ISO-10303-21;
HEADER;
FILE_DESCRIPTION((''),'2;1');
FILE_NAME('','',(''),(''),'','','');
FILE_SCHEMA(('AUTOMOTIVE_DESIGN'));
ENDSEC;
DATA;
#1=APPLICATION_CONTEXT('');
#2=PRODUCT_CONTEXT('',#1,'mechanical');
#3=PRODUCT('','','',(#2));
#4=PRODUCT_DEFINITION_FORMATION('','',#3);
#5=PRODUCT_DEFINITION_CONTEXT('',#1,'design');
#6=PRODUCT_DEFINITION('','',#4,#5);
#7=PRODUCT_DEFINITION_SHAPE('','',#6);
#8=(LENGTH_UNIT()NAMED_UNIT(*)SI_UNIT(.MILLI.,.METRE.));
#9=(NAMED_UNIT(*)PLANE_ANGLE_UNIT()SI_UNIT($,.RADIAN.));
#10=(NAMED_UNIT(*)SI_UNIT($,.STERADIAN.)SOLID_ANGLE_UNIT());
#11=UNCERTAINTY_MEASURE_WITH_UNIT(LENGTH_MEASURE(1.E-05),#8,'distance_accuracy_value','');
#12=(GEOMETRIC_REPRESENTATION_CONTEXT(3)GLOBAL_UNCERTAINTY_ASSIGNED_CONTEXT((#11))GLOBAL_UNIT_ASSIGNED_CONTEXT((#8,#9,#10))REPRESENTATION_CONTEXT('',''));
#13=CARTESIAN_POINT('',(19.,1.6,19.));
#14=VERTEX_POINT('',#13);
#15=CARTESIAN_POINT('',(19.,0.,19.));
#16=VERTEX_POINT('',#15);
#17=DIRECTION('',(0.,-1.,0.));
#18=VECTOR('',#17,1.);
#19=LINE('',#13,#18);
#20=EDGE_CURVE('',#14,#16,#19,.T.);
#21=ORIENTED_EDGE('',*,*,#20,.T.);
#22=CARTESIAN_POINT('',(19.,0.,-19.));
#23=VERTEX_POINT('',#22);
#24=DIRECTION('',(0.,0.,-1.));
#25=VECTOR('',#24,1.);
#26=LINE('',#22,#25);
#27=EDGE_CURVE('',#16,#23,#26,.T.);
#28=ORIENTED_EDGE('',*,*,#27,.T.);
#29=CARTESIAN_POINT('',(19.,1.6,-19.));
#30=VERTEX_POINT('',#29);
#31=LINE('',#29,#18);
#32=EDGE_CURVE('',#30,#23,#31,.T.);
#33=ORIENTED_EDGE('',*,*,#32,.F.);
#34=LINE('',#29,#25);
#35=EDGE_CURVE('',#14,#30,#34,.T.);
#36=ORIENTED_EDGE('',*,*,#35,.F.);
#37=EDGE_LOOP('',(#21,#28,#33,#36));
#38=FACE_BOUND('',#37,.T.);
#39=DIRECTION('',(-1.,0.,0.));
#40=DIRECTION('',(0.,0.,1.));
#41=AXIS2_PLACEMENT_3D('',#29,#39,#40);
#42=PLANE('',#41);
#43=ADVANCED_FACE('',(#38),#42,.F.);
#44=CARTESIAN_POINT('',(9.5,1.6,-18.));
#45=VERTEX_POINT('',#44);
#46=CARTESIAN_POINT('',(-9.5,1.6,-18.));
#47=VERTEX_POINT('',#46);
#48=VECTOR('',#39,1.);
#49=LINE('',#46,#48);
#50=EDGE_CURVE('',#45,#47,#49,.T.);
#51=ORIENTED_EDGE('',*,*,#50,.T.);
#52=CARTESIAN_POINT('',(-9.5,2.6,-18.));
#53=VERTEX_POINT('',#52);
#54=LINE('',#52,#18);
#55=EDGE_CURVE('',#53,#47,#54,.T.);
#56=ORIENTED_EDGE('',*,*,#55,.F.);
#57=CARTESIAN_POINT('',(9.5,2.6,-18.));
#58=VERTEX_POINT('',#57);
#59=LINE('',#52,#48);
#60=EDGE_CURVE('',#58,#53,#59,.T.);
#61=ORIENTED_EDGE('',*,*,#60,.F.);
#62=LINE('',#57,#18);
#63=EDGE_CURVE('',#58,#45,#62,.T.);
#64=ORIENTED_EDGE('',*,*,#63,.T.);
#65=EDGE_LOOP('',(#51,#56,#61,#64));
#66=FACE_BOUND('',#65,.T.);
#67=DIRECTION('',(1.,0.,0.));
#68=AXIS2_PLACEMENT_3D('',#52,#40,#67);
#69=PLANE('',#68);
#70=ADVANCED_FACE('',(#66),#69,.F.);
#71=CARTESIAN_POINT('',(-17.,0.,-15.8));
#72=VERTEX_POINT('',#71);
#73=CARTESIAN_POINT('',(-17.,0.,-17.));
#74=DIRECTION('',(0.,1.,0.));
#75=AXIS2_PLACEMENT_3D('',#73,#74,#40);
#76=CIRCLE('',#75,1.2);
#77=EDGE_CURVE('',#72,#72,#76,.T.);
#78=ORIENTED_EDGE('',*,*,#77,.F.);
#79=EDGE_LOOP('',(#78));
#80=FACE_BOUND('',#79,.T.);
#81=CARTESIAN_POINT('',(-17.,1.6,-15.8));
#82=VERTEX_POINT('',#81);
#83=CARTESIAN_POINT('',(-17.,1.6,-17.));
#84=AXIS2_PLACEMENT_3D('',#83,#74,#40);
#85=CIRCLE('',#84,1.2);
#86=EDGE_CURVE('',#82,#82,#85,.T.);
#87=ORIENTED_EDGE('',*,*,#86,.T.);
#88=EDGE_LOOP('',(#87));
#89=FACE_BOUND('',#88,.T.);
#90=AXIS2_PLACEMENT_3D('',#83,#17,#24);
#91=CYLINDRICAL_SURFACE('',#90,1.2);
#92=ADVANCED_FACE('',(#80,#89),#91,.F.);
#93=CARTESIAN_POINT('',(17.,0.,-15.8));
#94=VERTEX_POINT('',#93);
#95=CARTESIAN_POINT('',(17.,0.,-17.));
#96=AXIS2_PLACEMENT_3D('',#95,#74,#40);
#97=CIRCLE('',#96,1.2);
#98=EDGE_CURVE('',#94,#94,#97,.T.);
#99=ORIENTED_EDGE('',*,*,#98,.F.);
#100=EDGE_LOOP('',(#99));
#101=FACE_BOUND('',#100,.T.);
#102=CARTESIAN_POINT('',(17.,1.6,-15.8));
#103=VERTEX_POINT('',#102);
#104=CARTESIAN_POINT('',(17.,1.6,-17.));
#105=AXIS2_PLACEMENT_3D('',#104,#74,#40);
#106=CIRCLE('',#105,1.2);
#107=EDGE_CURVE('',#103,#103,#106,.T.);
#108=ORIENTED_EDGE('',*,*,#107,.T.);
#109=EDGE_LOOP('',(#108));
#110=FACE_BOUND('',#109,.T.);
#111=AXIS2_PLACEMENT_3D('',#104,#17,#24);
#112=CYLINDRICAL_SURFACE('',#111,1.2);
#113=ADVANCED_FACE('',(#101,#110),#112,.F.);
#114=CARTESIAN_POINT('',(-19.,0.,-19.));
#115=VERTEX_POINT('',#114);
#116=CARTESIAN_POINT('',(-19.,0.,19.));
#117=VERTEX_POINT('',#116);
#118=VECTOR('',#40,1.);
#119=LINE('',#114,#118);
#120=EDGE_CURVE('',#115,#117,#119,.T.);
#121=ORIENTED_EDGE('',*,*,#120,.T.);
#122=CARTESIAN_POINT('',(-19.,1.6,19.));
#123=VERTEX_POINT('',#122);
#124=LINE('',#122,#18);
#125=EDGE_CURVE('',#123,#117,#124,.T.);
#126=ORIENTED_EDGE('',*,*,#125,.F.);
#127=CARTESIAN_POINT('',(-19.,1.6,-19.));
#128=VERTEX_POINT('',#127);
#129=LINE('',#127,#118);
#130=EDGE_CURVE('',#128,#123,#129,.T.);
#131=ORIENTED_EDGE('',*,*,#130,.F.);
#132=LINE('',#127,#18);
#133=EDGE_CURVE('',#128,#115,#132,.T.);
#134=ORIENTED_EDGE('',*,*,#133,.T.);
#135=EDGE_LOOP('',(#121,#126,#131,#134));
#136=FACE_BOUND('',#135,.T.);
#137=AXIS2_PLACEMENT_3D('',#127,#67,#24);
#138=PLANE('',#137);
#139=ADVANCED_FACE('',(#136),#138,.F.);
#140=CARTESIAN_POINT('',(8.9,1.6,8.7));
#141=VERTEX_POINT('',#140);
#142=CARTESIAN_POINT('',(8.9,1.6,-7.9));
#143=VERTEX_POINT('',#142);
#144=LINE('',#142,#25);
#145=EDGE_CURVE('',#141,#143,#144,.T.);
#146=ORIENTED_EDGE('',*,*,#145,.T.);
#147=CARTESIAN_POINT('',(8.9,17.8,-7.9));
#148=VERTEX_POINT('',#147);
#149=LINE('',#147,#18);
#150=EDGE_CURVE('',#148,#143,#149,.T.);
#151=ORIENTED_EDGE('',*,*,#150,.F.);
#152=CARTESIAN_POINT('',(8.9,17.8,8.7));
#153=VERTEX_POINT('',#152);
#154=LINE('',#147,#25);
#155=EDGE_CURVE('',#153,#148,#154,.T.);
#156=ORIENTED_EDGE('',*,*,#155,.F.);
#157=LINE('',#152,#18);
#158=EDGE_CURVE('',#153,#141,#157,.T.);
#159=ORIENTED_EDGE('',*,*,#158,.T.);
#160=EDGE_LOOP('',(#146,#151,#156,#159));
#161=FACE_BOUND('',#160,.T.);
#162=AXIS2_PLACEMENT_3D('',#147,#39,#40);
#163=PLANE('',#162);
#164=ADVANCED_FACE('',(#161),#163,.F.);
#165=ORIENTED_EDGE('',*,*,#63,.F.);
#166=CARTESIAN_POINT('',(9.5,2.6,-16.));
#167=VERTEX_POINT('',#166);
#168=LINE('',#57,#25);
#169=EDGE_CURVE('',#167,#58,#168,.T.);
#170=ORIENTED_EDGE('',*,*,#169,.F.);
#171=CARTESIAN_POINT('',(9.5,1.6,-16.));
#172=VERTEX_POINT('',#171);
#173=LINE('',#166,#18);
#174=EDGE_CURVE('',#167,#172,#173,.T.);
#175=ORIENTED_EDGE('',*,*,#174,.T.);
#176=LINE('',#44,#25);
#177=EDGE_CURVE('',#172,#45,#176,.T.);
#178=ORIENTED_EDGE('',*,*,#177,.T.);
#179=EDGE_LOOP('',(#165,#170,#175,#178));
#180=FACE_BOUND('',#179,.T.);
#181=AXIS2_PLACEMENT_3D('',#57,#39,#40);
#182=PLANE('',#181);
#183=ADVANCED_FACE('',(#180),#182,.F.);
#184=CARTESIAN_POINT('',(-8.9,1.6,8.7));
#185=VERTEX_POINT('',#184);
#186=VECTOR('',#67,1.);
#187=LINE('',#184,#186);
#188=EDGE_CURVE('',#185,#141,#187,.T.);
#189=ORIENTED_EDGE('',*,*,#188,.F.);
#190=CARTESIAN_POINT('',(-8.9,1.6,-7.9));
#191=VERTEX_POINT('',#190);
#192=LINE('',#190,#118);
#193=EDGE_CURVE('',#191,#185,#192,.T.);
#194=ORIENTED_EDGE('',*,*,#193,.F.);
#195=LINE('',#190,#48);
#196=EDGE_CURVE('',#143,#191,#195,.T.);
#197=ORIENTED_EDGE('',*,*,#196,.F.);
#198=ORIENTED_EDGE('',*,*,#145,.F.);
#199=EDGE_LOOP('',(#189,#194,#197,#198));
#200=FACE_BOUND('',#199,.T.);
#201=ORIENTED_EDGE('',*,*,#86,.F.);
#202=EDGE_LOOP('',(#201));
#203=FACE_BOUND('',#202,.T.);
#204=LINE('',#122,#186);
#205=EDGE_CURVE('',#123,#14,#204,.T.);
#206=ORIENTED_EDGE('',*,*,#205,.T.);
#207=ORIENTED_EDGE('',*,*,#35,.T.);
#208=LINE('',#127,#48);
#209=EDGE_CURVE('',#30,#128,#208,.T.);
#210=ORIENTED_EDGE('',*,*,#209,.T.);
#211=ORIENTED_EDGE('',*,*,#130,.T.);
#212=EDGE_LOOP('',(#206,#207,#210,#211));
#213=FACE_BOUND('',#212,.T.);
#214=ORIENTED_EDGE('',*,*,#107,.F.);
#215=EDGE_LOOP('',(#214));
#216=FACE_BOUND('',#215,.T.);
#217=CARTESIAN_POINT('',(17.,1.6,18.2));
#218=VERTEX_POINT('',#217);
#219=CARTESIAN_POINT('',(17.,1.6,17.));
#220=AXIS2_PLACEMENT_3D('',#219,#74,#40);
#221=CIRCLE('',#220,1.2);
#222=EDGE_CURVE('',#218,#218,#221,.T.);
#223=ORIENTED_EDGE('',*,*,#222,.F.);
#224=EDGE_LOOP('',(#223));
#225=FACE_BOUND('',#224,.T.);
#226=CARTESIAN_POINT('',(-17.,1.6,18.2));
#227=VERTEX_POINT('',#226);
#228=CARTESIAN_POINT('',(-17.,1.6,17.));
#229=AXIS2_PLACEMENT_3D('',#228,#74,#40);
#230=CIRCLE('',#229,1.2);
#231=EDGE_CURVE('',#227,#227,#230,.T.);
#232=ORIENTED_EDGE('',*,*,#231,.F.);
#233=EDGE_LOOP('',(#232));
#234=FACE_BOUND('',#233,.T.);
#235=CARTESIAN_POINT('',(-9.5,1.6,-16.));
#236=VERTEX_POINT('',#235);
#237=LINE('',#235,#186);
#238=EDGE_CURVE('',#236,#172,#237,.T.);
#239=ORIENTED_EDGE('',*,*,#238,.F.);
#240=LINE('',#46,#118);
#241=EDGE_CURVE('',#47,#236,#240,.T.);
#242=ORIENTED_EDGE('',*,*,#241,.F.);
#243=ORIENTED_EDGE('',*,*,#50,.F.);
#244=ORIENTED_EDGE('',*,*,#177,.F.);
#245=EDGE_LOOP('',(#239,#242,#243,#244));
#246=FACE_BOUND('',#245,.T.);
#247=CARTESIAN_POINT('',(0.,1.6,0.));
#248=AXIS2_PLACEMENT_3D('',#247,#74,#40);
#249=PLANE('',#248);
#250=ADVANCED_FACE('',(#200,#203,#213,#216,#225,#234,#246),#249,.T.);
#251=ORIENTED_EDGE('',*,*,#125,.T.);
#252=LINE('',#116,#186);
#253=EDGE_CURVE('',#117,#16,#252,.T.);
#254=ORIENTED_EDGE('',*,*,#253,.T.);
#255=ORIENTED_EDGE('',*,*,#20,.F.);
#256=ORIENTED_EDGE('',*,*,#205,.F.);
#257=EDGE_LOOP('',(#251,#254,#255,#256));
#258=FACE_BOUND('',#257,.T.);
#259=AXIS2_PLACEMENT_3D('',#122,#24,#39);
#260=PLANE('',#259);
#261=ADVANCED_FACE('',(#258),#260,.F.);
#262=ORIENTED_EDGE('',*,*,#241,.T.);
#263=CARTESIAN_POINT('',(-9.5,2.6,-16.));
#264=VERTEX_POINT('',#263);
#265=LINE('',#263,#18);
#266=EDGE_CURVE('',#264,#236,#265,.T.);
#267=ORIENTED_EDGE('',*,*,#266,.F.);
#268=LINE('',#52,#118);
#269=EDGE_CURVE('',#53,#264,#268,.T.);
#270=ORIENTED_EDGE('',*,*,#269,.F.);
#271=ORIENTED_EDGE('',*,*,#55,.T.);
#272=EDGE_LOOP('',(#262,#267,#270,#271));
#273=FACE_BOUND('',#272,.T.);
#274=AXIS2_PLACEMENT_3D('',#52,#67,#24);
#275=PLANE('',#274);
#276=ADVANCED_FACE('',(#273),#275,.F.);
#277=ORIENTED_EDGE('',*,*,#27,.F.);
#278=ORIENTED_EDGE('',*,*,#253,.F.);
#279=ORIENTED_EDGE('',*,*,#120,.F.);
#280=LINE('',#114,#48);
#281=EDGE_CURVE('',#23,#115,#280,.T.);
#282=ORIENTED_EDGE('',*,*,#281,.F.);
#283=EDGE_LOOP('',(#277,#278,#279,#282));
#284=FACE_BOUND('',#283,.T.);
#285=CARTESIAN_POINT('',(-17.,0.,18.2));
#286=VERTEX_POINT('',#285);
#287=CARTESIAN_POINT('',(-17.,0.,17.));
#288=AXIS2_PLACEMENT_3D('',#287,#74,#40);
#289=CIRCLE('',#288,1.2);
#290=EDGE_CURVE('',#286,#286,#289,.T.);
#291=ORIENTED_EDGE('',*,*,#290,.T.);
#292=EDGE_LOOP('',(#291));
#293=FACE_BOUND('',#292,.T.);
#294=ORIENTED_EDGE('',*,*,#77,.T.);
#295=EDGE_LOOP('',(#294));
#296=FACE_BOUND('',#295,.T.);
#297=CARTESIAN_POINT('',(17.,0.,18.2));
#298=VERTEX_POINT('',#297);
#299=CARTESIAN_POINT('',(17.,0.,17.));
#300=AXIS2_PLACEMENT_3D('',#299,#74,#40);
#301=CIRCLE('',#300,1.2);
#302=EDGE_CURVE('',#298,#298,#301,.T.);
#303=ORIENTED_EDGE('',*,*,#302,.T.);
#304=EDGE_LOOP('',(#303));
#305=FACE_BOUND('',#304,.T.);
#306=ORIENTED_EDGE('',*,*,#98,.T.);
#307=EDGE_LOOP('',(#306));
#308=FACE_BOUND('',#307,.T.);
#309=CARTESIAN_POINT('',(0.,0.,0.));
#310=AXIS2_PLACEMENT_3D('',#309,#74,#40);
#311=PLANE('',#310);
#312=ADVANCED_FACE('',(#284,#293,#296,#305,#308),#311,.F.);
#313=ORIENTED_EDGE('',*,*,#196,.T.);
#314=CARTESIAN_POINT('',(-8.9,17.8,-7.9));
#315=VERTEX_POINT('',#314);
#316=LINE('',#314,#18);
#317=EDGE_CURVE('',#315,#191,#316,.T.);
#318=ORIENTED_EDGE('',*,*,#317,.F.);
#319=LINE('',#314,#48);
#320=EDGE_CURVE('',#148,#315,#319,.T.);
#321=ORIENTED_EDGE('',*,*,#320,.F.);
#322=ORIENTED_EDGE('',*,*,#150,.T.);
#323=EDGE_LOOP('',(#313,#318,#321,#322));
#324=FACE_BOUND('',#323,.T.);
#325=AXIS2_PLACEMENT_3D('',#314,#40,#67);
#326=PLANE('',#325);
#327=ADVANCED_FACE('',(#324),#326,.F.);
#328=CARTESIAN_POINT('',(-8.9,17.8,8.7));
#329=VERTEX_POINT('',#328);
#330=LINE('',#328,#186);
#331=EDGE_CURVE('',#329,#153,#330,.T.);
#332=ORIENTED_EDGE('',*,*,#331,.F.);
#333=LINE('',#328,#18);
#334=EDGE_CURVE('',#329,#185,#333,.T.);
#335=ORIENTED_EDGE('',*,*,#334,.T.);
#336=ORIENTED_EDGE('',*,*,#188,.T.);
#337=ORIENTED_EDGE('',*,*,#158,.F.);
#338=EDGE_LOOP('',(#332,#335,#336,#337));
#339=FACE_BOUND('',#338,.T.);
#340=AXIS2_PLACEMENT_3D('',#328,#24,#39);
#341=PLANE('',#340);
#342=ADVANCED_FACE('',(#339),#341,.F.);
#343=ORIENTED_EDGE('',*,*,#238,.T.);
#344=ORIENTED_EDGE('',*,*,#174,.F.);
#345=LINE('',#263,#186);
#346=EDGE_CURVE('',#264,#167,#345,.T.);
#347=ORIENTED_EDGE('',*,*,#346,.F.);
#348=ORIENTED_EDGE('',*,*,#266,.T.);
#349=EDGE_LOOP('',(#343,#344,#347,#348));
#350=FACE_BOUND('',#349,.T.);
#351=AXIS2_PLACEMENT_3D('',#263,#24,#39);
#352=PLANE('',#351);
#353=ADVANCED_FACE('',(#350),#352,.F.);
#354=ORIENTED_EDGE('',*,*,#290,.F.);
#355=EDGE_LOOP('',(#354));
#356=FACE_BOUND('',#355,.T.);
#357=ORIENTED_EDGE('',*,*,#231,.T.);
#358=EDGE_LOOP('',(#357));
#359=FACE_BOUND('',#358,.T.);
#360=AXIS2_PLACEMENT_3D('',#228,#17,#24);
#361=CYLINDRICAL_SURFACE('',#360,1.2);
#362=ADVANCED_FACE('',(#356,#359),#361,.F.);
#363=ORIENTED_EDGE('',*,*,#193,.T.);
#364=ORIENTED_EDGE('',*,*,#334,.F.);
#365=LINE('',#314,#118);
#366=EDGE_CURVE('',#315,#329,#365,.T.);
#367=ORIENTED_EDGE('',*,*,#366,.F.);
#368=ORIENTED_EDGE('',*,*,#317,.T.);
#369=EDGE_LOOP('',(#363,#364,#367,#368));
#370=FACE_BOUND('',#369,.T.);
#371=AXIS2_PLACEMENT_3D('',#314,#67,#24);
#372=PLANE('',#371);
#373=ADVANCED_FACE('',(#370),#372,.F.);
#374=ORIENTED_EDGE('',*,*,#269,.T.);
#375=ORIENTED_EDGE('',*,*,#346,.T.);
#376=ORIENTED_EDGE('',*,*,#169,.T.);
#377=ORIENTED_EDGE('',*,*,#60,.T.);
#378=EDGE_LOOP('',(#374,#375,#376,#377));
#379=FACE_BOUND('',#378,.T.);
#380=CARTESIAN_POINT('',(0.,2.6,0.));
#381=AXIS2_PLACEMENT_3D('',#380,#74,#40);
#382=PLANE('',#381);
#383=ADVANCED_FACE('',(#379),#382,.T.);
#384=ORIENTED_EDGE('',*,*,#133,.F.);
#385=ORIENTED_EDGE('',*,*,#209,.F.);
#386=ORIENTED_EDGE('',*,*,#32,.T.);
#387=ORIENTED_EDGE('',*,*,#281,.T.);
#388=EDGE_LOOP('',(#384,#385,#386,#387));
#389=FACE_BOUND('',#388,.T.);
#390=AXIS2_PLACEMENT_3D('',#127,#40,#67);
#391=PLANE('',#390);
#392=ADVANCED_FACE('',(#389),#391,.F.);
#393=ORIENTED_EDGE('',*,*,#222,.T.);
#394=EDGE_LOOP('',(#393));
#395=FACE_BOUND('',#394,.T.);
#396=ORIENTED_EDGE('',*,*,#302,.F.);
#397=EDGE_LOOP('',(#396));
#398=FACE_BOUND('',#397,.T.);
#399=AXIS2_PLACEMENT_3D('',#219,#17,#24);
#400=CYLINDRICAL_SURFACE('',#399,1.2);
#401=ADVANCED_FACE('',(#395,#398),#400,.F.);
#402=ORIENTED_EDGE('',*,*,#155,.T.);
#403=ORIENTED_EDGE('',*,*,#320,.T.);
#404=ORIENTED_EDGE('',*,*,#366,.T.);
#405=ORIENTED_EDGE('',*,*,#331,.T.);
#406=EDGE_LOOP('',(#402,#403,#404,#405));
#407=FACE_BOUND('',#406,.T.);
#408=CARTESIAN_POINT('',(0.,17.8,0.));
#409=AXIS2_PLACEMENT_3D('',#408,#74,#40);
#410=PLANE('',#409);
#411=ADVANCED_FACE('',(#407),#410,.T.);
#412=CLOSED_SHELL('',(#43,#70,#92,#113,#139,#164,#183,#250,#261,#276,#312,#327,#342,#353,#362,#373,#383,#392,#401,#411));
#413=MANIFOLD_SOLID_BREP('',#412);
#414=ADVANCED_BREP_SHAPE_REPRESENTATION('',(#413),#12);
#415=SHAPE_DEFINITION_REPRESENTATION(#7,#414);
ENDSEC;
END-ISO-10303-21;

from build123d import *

# Parameters (mm, degrees)
SKETCH2_W           = 38
SKETCH2_H           = 38
SKETCH2_R           = 1.2
BOSS_EXTRUDE1_DEPTH = 1.6
SKETCH3_W           = 17.8
SKETCH3_H           = 16.6
BOSS_EXTRUDE2_DEPTH = 16.2
SKETCH4_W           = 19
SKETCH4_H           = 2
BOSS_EXTRUDE3_DEPTH = 1


with BuildPart() as part:
    # Sketch2 → Boss-Extrude1 (new body)
    with BuildSketch(Plane(origin=(0, 0, 0), x_dir=(1, 0, 0), z_dir=(0, 1, 0))):
        Rectangle(SKETCH2_W, SKETCH2_H)
        with Locations(Location((-17, 17, 0), (0, 0, 270))):
            Circle(SKETCH2_R, mode=Mode.SUBTRACT)
        with Locations(Location((17, 17, 0), (0, 0, 270))):
            Circle(SKETCH2_R, mode=Mode.SUBTRACT)
        with Locations(Location((17, -17, 0), (0, 0, 270))):
            Circle(SKETCH2_R, mode=Mode.SUBTRACT)
        with Locations(Location((-17, -17, 0), (0, 0, 270))):
            Circle(SKETCH2_R, mode=Mode.SUBTRACT)
    extrude(amount=BOSS_EXTRUDE1_DEPTH)

    # Sketch3 → Boss-Extrude2 (add)
    with BuildSketch(Plane(origin=(0, 1.6, 0), x_dir=(1, 0, 0), z_dir=(0, 1, 0))):
        with Locations((0, -0.4)):
            Rectangle(SKETCH3_W, SKETCH3_H)
    extrude(amount=BOSS_EXTRUDE2_DEPTH)

    # Sketch4 → Boss-Extrude3 (add)
    with BuildSketch(Plane(origin=(0, 1.6, 0), x_dir=(1, 0, 0), z_dir=(0, 1, 0))):
        with Locations((0, 17)):
            Rectangle(SKETCH4_W, SKETCH4_H)
    extrude(amount=BOSS_EXTRUDE3_DEPTH)


solid = part.part
